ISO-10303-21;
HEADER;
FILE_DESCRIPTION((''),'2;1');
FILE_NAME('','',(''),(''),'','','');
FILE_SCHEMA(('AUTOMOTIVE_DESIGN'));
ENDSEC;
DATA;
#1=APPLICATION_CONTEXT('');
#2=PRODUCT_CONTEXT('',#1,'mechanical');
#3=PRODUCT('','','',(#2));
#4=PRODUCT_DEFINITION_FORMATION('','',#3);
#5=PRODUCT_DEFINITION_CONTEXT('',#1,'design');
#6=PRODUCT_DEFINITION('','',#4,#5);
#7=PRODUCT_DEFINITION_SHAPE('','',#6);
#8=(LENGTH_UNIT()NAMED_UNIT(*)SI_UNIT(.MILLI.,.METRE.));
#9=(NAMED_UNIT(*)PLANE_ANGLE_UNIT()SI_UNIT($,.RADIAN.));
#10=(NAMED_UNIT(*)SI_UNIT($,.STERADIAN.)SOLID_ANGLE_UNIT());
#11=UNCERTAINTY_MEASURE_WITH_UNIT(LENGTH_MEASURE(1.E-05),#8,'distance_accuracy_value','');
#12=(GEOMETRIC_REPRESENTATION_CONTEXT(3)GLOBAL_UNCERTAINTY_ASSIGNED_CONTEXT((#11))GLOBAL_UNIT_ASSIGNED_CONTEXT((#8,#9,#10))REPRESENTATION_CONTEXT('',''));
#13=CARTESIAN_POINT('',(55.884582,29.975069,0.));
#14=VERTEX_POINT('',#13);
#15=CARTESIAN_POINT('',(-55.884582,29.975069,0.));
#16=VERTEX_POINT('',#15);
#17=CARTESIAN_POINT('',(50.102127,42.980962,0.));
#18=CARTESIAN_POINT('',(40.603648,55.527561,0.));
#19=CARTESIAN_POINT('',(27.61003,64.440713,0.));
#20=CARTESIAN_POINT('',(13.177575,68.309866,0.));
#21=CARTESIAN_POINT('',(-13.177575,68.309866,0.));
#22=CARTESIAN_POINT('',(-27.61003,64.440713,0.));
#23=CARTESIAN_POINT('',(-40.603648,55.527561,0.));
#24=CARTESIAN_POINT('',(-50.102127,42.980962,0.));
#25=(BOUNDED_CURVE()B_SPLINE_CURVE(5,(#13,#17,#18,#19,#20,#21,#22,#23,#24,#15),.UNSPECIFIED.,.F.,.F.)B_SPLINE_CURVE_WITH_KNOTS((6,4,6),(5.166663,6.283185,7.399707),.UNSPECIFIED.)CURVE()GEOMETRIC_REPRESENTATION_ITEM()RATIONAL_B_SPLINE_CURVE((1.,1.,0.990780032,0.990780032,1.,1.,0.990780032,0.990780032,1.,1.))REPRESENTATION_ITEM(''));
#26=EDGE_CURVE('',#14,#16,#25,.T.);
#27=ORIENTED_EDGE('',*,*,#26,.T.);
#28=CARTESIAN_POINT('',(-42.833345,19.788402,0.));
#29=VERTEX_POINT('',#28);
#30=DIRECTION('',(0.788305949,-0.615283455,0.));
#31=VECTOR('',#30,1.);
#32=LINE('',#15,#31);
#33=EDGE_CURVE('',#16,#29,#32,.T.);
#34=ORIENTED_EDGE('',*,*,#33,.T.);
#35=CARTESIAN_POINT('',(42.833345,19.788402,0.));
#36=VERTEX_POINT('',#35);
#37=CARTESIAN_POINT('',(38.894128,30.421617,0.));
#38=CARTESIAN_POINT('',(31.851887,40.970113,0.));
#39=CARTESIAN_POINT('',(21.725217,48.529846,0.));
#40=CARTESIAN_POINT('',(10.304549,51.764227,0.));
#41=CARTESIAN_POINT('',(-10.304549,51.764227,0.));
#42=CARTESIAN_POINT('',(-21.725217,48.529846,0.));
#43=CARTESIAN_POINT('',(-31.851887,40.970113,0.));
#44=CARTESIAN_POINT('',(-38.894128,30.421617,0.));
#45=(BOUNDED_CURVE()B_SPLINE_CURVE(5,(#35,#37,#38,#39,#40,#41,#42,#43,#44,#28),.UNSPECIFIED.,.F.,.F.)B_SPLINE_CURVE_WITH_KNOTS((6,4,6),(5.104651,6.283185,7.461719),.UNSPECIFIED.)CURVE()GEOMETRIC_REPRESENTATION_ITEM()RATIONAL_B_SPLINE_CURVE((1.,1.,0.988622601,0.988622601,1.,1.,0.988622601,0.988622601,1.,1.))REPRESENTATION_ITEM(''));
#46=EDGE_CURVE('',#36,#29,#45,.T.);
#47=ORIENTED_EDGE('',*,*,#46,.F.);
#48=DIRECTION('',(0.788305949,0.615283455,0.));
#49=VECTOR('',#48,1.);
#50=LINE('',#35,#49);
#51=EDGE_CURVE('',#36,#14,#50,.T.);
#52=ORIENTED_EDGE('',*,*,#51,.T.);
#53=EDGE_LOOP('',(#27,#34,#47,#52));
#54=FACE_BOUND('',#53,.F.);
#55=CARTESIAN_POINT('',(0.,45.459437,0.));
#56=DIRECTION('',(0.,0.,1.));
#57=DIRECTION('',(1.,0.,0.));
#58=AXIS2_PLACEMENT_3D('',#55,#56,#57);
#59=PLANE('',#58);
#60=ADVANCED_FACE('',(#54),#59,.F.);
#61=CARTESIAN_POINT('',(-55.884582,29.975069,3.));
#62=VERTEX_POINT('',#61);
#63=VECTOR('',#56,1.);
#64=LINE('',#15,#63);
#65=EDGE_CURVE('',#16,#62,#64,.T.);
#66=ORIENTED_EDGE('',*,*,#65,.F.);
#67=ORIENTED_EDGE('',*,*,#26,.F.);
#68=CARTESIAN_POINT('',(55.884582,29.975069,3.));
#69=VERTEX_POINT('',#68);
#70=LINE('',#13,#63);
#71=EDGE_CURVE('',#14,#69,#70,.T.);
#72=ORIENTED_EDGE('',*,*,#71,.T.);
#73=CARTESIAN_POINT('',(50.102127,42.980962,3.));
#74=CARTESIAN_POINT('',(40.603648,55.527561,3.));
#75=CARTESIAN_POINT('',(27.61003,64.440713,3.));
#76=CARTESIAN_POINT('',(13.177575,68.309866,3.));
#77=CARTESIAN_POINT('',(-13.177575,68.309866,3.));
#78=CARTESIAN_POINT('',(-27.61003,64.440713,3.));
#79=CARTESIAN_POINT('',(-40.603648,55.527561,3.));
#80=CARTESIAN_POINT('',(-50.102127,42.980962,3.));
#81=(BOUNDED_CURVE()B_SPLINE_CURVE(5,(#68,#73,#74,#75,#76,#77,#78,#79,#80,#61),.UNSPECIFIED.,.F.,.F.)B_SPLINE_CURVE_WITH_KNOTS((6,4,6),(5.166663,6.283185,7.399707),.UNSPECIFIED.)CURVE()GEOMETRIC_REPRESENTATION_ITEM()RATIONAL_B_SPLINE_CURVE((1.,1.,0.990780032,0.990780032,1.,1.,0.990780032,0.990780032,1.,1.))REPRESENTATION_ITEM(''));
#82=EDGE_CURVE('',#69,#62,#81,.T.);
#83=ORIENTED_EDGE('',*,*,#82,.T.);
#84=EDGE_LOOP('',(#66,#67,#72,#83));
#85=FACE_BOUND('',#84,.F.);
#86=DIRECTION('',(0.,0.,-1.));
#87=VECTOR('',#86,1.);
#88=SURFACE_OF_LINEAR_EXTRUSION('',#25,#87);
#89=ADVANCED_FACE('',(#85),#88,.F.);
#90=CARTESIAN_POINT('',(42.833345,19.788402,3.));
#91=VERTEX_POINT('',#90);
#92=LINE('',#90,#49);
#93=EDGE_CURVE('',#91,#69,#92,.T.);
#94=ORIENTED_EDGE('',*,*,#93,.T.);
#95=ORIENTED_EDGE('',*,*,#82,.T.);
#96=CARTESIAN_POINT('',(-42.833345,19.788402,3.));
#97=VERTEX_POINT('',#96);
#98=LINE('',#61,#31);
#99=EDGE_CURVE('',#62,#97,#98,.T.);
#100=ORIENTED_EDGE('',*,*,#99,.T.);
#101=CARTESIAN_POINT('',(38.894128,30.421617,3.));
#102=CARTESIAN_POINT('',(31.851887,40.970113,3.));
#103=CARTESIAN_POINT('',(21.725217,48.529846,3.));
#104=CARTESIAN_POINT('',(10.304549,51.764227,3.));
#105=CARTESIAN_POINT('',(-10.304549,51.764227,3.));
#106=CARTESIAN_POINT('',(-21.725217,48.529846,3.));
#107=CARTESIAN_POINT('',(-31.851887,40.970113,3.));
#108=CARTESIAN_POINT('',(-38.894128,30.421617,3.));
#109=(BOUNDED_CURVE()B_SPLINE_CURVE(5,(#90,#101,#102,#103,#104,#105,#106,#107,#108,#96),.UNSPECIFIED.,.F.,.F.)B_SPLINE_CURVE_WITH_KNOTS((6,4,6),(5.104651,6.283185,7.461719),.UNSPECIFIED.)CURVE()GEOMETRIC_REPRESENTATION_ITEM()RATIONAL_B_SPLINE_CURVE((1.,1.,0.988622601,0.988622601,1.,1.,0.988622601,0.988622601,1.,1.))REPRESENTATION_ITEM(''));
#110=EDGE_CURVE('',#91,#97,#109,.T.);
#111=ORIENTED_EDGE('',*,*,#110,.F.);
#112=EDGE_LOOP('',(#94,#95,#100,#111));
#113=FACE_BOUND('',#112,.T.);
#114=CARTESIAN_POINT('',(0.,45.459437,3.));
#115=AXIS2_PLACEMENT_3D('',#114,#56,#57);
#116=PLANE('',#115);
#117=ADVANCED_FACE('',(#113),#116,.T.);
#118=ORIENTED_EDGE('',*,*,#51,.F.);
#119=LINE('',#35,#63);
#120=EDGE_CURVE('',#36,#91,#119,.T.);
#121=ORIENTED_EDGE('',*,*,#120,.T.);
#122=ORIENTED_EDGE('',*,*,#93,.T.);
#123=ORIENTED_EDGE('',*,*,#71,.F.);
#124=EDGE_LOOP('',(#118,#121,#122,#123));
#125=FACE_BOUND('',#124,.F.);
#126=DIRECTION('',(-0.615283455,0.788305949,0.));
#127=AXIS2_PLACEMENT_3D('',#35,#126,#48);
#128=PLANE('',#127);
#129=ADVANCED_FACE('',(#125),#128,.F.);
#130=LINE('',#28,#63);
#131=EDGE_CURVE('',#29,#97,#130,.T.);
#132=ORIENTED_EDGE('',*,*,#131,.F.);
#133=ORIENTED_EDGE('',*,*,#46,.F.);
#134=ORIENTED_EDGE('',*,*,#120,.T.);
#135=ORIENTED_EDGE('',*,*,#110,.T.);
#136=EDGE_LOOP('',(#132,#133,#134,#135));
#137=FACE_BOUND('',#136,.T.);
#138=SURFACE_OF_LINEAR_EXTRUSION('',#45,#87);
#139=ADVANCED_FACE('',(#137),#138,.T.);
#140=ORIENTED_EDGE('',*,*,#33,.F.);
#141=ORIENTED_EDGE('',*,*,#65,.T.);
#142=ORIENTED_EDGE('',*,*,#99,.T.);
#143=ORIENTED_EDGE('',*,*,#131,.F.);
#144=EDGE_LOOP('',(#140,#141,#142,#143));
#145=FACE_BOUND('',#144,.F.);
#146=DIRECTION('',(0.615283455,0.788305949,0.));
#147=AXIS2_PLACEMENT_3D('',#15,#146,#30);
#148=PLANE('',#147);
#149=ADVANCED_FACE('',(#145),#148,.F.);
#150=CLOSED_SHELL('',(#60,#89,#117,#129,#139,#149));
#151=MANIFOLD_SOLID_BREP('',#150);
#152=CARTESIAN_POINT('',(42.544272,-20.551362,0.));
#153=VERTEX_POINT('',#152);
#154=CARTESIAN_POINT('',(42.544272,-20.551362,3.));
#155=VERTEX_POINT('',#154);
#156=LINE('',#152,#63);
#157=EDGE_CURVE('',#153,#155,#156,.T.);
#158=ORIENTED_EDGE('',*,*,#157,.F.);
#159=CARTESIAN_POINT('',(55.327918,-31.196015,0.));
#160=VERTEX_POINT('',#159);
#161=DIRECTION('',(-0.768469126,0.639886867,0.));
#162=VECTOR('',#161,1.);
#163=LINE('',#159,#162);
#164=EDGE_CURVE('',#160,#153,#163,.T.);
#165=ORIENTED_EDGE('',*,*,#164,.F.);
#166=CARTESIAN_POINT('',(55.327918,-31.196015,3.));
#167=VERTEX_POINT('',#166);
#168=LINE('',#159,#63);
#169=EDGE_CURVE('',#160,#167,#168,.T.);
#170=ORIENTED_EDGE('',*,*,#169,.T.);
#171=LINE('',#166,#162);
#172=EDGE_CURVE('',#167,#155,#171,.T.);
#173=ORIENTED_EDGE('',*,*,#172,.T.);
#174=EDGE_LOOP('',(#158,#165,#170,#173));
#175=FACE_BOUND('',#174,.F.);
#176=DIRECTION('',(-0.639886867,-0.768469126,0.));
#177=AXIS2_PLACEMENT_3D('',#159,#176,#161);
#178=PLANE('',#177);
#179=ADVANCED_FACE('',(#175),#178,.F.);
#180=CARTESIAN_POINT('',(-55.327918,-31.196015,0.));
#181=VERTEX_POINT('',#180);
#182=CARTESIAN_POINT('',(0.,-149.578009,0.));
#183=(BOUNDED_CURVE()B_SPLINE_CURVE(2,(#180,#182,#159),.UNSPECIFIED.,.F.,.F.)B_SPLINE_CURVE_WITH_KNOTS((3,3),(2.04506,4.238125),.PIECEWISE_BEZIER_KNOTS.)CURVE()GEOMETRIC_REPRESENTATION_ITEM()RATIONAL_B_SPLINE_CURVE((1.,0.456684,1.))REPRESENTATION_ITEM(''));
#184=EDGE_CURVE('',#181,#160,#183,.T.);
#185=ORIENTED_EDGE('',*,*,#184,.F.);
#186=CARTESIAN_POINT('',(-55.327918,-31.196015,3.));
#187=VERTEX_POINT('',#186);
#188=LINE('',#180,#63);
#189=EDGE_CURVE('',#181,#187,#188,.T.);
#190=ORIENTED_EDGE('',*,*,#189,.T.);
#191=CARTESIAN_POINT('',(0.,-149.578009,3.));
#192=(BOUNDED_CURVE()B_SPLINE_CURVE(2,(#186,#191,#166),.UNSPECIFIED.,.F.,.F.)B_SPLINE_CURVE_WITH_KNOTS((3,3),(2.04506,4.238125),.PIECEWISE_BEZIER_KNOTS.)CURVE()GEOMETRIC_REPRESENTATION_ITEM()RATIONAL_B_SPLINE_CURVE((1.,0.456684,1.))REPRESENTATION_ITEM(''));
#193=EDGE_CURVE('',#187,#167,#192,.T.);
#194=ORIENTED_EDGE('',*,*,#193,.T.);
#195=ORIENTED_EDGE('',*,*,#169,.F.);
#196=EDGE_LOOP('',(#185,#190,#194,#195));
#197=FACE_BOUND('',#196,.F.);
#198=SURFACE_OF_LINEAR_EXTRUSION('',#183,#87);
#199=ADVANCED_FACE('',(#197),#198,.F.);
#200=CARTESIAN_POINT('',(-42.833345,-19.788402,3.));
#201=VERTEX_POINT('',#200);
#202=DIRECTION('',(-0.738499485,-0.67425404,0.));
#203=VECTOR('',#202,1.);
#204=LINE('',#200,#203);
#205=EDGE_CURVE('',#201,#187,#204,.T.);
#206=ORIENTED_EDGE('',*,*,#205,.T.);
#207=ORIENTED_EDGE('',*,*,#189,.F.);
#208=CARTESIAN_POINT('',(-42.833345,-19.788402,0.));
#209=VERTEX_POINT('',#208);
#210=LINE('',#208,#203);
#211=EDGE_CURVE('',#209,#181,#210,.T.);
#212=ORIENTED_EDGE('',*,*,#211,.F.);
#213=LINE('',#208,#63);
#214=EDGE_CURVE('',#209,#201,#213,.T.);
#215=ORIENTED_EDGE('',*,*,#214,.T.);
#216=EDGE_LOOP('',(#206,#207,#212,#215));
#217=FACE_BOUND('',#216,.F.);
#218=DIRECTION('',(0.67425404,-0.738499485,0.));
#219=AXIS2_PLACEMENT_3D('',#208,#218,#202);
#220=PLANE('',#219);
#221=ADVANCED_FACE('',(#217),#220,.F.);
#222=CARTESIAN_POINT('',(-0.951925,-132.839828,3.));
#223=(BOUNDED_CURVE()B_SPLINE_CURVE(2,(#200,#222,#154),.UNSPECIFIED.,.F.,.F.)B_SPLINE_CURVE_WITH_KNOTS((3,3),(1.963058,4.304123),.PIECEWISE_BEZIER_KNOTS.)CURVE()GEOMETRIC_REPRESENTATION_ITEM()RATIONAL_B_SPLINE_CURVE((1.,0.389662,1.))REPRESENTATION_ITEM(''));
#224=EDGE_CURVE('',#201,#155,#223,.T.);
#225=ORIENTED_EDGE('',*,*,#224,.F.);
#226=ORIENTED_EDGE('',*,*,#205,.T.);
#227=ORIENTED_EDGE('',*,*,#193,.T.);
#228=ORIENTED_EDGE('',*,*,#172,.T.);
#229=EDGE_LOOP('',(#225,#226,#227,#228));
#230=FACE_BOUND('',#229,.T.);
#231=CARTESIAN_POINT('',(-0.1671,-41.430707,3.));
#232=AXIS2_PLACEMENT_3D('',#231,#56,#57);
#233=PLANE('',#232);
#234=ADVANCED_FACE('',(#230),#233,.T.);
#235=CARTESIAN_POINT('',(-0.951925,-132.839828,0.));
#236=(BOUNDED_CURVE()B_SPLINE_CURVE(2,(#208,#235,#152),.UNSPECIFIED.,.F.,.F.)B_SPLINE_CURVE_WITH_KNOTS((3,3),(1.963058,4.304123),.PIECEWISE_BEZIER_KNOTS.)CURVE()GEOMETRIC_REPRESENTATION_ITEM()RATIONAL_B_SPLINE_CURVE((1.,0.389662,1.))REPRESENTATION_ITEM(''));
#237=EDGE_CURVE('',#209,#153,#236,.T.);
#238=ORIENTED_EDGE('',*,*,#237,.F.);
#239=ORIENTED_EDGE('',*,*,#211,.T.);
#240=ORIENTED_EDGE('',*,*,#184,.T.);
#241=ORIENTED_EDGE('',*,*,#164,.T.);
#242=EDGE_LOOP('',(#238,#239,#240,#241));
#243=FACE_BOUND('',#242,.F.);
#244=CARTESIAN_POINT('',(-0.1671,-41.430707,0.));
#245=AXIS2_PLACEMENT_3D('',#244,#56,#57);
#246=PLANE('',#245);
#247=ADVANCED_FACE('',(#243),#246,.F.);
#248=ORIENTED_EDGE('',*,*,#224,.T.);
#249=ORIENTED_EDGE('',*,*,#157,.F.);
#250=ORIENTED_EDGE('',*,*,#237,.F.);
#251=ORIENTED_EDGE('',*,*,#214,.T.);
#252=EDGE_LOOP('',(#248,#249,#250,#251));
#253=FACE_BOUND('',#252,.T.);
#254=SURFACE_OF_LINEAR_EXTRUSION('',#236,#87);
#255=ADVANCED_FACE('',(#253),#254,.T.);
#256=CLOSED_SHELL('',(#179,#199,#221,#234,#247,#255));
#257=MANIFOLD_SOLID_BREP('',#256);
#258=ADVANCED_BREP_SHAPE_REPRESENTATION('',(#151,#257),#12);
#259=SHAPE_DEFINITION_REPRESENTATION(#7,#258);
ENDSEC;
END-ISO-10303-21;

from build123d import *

# Parameters (mm, degrees)
F1_DEPTH = 3
F2_DEPTH = 3


with BuildPart() as f1:
    # F0 (on Top) → F1 (new body)
    with BuildSketch(Plane.XY):
        with BuildLine():
            add(Edge.make_bspline(
                [(55.884582, 29.975069), (38.840829, 68.309866), (0, 68.309866)],
                knots=[5.166663, 5.166663, 5.166663, 6.283185, 6.283185, 6.283185], degree=2, weights=[1, 0.848178, 1]))
            add(Edge.make_bspline(
                [(0, 68.309866), (-38.840829, 68.309866), (-55.884582, 29.975069)],
                knots=[0, 0, 0, 1.116522, 1.116522, 1.116522], degree=2, weights=[1, 0.848178, 1]))
            Line((-55.884582, 29.975069), (-42.833345, 19.788402))
            add(Edge.make_bspline(
                [(0, 51.764227), (-30.987471, 51.764227), (-42.833345, 19.788402)],
                knots=[0, 0, 0, 1.178534, 1.178534, 1.178534], degree=2, weights=[1, 0.831348, 1]))
            add(Edge.make_bspline(
                [(42.833345, 19.788402), (30.987471, 51.764227), (0, 51.764227)],
                knots=[5.104651, 5.104651, 5.104651, 6.283185, 6.283185, 6.283185], degree=2, weights=[1, 0.831348, 1]))
            Line((42.833345, 19.788402), (55.884582, 29.975069))
        make_face()
    extrude(amount=F1_DEPTH)


with BuildPart() as f2:
    # F0 (on Top) → F2 (new body)
    with BuildSketch(Plane.XY):
        with BuildLine():
            Line((-42.833345, -19.788402), (-55.327918, -31.196015))
            add(Edge.make_bspline(
                [(-55.327918, -31.196015), (0, -149.578009), (55.327918, -31.196015)],
                knots=[2.04506, 2.04506, 2.04506, 4.238125, 4.238125, 4.238125], degree=2, weights=[1, 0.456684, 1]))
            Line((55.327918, -31.196015), (42.544272, -20.551362))
            add(Edge.make_bspline(
                [(-42.833345, -19.788402), (-0.951925, -132.839828), (42.544272, -20.551362)],
                knots=[1.963058, 1.963058, 1.963058, 4.304123, 4.304123, 4.304123], degree=2, weights=[1, 0.389662, 1]))
        make_face()
    extrude(amount=F2_DEPTH)


solid = Compound([f1.part, f2.part])
